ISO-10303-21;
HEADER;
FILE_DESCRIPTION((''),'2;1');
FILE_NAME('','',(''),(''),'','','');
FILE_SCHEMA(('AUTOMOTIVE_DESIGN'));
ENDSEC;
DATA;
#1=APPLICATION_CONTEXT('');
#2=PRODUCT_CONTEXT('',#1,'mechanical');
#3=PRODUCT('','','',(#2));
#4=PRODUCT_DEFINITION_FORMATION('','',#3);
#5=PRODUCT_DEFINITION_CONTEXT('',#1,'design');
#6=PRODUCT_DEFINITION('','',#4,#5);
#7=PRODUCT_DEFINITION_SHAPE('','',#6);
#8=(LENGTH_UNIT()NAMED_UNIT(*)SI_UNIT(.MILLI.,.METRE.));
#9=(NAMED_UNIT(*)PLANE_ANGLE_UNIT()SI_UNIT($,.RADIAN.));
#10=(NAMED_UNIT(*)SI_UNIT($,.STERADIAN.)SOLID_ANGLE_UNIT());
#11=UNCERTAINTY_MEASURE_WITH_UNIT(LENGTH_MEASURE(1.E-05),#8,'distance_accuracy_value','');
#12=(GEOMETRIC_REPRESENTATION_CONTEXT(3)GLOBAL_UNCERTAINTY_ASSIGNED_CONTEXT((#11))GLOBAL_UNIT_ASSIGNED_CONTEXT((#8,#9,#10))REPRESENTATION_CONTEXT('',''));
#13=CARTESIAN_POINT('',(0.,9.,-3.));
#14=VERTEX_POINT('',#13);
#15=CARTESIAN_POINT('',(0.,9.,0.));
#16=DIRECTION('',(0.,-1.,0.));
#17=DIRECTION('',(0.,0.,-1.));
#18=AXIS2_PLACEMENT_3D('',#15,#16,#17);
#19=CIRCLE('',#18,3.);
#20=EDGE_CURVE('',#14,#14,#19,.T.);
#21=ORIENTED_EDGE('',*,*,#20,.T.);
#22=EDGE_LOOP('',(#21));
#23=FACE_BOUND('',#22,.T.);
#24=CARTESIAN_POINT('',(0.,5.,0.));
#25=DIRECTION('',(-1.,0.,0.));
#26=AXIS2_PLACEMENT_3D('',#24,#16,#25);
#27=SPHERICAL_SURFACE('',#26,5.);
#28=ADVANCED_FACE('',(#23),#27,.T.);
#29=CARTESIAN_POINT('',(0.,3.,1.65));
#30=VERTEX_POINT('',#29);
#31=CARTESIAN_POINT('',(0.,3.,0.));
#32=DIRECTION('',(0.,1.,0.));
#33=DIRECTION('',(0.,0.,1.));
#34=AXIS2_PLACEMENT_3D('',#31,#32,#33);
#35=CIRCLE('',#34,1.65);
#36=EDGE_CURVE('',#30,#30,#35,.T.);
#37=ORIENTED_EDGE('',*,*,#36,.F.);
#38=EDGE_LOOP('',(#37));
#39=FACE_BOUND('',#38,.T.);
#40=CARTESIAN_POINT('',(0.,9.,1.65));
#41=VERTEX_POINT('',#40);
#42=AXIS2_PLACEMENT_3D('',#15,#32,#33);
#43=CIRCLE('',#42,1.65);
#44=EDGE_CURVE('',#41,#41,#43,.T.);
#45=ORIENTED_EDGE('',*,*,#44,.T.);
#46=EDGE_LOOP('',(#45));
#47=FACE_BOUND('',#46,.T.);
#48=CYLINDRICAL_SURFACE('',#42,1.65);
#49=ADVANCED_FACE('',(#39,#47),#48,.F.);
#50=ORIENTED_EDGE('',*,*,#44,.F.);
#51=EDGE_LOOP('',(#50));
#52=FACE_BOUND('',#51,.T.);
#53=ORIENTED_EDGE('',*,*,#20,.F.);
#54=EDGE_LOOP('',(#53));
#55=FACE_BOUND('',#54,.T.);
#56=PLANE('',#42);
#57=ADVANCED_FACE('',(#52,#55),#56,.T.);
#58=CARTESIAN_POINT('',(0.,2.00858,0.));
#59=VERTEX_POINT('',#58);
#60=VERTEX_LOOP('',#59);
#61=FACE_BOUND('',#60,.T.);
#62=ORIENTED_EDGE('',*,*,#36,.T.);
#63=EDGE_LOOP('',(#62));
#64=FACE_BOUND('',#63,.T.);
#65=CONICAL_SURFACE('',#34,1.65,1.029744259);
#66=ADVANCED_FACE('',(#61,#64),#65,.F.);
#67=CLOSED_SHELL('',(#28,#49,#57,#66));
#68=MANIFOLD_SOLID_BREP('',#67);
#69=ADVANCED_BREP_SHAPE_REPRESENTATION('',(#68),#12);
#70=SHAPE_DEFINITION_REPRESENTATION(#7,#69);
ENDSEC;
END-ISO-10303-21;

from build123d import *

# Parameters (mm, degrees)
TAP_DRILL_FOR_M4X0_7_TAP1_D     = 3.3
TAP_DRILL_FOR_M4X0_7_TAP1_DEPTH = 6
TAP_DRILL_FOR_M4X0_7_TAP1_TIP   = 0.991420021


with BuildPart() as part:
    # Sketch1 → Revolve1 (revolve)
    with BuildSketch(Plane.XY):
        with BuildLine():
            Line((0, 9), (3, 9))
            ThreePointArc((3, 9), (4.74341649, 3.41886117), (0, 0))
            Line((0, 0), (0, 9))
        make_face()
    revolve(axis=Axis((0, 0, 0), (0, 1, 0)))

    # Tap Drill for M4x0.7 Tap1
    with Locations(Plane(origin=(0, 9, 0), x_dir=(1, 0, 0), z_dir=(0, 1, 0))):
        with Locations((0, 0), (-17.99076421, 5.750523929)):
            Hole(TAP_DRILL_FOR_M4X0_7_TAP1_D / 2, depth=TAP_DRILL_FOR_M4X0_7_TAP1_DEPTH)
            with Locations((0, 0, -(TAP_DRILL_FOR_M4X0_7_TAP1_DEPTH + TAP_DRILL_FOR_M4X0_7_TAP1_TIP / 2))):  # 118° drill point
                Cone(0, TAP_DRILL_FOR_M4X0_7_TAP1_D / 2, TAP_DRILL_FOR_M4X0_7_TAP1_TIP, mode=Mode.SUBTRACT)


solid = part.part
